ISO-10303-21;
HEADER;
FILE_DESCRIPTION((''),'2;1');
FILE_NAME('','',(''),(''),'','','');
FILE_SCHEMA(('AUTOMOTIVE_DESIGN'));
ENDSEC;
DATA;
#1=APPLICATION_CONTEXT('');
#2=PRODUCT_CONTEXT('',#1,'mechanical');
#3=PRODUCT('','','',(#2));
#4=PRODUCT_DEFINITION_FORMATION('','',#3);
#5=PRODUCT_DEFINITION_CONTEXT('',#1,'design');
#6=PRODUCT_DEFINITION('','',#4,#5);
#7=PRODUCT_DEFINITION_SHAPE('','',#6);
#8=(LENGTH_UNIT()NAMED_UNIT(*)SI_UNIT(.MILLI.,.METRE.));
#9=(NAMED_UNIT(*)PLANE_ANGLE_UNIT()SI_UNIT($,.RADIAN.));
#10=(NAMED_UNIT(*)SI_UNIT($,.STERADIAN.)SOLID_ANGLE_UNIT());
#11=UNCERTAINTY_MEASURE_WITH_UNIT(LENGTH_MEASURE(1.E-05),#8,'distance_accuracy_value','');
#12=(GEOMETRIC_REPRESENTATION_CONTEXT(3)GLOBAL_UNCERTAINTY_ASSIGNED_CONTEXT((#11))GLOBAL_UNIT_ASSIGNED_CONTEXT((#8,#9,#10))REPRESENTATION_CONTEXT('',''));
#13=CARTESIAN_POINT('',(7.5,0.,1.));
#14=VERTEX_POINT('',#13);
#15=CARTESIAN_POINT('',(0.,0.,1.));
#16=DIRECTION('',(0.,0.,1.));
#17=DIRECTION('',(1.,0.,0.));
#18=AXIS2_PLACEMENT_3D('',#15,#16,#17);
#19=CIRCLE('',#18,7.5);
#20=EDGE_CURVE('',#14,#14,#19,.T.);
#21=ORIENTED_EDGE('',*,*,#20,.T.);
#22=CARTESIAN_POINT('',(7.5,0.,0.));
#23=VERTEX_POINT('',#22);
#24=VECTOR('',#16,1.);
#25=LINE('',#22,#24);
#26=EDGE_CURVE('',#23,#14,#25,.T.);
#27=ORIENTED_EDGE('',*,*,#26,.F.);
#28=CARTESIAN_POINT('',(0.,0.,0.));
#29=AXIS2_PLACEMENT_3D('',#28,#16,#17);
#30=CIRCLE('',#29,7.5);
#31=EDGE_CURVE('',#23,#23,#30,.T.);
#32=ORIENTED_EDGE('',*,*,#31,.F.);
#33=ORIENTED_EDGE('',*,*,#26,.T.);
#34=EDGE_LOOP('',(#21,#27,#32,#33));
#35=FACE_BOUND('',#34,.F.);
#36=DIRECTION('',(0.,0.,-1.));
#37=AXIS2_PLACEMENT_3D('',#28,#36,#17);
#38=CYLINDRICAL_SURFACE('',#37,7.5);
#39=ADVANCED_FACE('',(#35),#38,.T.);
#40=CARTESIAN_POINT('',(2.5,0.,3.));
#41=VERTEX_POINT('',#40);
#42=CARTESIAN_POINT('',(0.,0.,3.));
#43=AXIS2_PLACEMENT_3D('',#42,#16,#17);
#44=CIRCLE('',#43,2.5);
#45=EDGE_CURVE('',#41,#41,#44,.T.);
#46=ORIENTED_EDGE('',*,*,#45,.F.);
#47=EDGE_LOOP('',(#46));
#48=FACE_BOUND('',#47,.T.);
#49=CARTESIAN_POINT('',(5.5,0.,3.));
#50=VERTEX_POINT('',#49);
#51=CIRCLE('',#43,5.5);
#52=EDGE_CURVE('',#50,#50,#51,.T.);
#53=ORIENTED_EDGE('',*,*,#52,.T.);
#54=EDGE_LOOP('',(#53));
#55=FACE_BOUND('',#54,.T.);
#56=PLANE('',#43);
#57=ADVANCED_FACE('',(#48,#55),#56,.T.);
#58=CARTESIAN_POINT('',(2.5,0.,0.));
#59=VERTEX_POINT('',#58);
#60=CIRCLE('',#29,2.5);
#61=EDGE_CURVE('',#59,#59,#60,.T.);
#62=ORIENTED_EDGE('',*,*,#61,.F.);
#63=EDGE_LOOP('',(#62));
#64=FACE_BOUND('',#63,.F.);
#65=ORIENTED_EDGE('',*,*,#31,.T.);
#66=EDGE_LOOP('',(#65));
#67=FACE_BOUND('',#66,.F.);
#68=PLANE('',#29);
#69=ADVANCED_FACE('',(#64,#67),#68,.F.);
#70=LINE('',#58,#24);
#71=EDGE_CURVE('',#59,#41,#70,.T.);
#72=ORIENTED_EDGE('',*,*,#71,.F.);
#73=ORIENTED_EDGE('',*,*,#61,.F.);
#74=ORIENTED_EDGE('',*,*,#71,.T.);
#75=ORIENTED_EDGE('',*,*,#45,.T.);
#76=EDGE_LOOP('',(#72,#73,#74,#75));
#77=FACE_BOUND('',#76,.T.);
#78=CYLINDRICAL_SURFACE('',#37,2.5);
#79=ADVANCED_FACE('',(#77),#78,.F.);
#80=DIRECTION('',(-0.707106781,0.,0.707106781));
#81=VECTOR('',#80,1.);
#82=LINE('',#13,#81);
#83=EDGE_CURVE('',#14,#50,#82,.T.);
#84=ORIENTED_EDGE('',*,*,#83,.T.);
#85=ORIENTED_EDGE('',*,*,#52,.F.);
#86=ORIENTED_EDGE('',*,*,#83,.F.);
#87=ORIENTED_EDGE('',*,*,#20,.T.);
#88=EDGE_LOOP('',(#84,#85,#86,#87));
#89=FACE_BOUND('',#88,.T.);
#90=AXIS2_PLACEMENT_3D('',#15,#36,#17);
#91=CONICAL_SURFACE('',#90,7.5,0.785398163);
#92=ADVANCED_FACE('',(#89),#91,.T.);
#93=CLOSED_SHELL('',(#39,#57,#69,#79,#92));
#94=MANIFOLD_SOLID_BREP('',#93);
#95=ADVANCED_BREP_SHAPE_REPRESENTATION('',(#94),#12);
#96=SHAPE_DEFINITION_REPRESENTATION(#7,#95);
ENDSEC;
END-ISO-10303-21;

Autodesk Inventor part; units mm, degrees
ref_plane "YZ Plane" through (0, 0, 0) normal (1, 0, 0) x (0, 1, 0)
ref_plane "XZ Plane" through (0, 0, 0) normal (0, 1, 0) x (-1, 0, 0)
ref_plane "XY Plane" through (0, 0, 0) normal (0, 0, 1) x (1, 0, 0)
sketch "スケッチ1" plane through (0, 0, 0) normal (0, 0, 1) x (1, 0, 0)
  circle A0 centre (0, 0) radius 7.5
  circle A1 centre (0, 0) radius 2.5
  dimension "d0" = 15
  dimension "d1" = 5
extrude "押し出し1" add sketch "スケッチ1" along normal blind 3
chamfer "面取り1" distance 2 angle 45 1 edges at (-7.5, 0, 3)
properties part number "ばね抑え" material "ABS プラスチック"
